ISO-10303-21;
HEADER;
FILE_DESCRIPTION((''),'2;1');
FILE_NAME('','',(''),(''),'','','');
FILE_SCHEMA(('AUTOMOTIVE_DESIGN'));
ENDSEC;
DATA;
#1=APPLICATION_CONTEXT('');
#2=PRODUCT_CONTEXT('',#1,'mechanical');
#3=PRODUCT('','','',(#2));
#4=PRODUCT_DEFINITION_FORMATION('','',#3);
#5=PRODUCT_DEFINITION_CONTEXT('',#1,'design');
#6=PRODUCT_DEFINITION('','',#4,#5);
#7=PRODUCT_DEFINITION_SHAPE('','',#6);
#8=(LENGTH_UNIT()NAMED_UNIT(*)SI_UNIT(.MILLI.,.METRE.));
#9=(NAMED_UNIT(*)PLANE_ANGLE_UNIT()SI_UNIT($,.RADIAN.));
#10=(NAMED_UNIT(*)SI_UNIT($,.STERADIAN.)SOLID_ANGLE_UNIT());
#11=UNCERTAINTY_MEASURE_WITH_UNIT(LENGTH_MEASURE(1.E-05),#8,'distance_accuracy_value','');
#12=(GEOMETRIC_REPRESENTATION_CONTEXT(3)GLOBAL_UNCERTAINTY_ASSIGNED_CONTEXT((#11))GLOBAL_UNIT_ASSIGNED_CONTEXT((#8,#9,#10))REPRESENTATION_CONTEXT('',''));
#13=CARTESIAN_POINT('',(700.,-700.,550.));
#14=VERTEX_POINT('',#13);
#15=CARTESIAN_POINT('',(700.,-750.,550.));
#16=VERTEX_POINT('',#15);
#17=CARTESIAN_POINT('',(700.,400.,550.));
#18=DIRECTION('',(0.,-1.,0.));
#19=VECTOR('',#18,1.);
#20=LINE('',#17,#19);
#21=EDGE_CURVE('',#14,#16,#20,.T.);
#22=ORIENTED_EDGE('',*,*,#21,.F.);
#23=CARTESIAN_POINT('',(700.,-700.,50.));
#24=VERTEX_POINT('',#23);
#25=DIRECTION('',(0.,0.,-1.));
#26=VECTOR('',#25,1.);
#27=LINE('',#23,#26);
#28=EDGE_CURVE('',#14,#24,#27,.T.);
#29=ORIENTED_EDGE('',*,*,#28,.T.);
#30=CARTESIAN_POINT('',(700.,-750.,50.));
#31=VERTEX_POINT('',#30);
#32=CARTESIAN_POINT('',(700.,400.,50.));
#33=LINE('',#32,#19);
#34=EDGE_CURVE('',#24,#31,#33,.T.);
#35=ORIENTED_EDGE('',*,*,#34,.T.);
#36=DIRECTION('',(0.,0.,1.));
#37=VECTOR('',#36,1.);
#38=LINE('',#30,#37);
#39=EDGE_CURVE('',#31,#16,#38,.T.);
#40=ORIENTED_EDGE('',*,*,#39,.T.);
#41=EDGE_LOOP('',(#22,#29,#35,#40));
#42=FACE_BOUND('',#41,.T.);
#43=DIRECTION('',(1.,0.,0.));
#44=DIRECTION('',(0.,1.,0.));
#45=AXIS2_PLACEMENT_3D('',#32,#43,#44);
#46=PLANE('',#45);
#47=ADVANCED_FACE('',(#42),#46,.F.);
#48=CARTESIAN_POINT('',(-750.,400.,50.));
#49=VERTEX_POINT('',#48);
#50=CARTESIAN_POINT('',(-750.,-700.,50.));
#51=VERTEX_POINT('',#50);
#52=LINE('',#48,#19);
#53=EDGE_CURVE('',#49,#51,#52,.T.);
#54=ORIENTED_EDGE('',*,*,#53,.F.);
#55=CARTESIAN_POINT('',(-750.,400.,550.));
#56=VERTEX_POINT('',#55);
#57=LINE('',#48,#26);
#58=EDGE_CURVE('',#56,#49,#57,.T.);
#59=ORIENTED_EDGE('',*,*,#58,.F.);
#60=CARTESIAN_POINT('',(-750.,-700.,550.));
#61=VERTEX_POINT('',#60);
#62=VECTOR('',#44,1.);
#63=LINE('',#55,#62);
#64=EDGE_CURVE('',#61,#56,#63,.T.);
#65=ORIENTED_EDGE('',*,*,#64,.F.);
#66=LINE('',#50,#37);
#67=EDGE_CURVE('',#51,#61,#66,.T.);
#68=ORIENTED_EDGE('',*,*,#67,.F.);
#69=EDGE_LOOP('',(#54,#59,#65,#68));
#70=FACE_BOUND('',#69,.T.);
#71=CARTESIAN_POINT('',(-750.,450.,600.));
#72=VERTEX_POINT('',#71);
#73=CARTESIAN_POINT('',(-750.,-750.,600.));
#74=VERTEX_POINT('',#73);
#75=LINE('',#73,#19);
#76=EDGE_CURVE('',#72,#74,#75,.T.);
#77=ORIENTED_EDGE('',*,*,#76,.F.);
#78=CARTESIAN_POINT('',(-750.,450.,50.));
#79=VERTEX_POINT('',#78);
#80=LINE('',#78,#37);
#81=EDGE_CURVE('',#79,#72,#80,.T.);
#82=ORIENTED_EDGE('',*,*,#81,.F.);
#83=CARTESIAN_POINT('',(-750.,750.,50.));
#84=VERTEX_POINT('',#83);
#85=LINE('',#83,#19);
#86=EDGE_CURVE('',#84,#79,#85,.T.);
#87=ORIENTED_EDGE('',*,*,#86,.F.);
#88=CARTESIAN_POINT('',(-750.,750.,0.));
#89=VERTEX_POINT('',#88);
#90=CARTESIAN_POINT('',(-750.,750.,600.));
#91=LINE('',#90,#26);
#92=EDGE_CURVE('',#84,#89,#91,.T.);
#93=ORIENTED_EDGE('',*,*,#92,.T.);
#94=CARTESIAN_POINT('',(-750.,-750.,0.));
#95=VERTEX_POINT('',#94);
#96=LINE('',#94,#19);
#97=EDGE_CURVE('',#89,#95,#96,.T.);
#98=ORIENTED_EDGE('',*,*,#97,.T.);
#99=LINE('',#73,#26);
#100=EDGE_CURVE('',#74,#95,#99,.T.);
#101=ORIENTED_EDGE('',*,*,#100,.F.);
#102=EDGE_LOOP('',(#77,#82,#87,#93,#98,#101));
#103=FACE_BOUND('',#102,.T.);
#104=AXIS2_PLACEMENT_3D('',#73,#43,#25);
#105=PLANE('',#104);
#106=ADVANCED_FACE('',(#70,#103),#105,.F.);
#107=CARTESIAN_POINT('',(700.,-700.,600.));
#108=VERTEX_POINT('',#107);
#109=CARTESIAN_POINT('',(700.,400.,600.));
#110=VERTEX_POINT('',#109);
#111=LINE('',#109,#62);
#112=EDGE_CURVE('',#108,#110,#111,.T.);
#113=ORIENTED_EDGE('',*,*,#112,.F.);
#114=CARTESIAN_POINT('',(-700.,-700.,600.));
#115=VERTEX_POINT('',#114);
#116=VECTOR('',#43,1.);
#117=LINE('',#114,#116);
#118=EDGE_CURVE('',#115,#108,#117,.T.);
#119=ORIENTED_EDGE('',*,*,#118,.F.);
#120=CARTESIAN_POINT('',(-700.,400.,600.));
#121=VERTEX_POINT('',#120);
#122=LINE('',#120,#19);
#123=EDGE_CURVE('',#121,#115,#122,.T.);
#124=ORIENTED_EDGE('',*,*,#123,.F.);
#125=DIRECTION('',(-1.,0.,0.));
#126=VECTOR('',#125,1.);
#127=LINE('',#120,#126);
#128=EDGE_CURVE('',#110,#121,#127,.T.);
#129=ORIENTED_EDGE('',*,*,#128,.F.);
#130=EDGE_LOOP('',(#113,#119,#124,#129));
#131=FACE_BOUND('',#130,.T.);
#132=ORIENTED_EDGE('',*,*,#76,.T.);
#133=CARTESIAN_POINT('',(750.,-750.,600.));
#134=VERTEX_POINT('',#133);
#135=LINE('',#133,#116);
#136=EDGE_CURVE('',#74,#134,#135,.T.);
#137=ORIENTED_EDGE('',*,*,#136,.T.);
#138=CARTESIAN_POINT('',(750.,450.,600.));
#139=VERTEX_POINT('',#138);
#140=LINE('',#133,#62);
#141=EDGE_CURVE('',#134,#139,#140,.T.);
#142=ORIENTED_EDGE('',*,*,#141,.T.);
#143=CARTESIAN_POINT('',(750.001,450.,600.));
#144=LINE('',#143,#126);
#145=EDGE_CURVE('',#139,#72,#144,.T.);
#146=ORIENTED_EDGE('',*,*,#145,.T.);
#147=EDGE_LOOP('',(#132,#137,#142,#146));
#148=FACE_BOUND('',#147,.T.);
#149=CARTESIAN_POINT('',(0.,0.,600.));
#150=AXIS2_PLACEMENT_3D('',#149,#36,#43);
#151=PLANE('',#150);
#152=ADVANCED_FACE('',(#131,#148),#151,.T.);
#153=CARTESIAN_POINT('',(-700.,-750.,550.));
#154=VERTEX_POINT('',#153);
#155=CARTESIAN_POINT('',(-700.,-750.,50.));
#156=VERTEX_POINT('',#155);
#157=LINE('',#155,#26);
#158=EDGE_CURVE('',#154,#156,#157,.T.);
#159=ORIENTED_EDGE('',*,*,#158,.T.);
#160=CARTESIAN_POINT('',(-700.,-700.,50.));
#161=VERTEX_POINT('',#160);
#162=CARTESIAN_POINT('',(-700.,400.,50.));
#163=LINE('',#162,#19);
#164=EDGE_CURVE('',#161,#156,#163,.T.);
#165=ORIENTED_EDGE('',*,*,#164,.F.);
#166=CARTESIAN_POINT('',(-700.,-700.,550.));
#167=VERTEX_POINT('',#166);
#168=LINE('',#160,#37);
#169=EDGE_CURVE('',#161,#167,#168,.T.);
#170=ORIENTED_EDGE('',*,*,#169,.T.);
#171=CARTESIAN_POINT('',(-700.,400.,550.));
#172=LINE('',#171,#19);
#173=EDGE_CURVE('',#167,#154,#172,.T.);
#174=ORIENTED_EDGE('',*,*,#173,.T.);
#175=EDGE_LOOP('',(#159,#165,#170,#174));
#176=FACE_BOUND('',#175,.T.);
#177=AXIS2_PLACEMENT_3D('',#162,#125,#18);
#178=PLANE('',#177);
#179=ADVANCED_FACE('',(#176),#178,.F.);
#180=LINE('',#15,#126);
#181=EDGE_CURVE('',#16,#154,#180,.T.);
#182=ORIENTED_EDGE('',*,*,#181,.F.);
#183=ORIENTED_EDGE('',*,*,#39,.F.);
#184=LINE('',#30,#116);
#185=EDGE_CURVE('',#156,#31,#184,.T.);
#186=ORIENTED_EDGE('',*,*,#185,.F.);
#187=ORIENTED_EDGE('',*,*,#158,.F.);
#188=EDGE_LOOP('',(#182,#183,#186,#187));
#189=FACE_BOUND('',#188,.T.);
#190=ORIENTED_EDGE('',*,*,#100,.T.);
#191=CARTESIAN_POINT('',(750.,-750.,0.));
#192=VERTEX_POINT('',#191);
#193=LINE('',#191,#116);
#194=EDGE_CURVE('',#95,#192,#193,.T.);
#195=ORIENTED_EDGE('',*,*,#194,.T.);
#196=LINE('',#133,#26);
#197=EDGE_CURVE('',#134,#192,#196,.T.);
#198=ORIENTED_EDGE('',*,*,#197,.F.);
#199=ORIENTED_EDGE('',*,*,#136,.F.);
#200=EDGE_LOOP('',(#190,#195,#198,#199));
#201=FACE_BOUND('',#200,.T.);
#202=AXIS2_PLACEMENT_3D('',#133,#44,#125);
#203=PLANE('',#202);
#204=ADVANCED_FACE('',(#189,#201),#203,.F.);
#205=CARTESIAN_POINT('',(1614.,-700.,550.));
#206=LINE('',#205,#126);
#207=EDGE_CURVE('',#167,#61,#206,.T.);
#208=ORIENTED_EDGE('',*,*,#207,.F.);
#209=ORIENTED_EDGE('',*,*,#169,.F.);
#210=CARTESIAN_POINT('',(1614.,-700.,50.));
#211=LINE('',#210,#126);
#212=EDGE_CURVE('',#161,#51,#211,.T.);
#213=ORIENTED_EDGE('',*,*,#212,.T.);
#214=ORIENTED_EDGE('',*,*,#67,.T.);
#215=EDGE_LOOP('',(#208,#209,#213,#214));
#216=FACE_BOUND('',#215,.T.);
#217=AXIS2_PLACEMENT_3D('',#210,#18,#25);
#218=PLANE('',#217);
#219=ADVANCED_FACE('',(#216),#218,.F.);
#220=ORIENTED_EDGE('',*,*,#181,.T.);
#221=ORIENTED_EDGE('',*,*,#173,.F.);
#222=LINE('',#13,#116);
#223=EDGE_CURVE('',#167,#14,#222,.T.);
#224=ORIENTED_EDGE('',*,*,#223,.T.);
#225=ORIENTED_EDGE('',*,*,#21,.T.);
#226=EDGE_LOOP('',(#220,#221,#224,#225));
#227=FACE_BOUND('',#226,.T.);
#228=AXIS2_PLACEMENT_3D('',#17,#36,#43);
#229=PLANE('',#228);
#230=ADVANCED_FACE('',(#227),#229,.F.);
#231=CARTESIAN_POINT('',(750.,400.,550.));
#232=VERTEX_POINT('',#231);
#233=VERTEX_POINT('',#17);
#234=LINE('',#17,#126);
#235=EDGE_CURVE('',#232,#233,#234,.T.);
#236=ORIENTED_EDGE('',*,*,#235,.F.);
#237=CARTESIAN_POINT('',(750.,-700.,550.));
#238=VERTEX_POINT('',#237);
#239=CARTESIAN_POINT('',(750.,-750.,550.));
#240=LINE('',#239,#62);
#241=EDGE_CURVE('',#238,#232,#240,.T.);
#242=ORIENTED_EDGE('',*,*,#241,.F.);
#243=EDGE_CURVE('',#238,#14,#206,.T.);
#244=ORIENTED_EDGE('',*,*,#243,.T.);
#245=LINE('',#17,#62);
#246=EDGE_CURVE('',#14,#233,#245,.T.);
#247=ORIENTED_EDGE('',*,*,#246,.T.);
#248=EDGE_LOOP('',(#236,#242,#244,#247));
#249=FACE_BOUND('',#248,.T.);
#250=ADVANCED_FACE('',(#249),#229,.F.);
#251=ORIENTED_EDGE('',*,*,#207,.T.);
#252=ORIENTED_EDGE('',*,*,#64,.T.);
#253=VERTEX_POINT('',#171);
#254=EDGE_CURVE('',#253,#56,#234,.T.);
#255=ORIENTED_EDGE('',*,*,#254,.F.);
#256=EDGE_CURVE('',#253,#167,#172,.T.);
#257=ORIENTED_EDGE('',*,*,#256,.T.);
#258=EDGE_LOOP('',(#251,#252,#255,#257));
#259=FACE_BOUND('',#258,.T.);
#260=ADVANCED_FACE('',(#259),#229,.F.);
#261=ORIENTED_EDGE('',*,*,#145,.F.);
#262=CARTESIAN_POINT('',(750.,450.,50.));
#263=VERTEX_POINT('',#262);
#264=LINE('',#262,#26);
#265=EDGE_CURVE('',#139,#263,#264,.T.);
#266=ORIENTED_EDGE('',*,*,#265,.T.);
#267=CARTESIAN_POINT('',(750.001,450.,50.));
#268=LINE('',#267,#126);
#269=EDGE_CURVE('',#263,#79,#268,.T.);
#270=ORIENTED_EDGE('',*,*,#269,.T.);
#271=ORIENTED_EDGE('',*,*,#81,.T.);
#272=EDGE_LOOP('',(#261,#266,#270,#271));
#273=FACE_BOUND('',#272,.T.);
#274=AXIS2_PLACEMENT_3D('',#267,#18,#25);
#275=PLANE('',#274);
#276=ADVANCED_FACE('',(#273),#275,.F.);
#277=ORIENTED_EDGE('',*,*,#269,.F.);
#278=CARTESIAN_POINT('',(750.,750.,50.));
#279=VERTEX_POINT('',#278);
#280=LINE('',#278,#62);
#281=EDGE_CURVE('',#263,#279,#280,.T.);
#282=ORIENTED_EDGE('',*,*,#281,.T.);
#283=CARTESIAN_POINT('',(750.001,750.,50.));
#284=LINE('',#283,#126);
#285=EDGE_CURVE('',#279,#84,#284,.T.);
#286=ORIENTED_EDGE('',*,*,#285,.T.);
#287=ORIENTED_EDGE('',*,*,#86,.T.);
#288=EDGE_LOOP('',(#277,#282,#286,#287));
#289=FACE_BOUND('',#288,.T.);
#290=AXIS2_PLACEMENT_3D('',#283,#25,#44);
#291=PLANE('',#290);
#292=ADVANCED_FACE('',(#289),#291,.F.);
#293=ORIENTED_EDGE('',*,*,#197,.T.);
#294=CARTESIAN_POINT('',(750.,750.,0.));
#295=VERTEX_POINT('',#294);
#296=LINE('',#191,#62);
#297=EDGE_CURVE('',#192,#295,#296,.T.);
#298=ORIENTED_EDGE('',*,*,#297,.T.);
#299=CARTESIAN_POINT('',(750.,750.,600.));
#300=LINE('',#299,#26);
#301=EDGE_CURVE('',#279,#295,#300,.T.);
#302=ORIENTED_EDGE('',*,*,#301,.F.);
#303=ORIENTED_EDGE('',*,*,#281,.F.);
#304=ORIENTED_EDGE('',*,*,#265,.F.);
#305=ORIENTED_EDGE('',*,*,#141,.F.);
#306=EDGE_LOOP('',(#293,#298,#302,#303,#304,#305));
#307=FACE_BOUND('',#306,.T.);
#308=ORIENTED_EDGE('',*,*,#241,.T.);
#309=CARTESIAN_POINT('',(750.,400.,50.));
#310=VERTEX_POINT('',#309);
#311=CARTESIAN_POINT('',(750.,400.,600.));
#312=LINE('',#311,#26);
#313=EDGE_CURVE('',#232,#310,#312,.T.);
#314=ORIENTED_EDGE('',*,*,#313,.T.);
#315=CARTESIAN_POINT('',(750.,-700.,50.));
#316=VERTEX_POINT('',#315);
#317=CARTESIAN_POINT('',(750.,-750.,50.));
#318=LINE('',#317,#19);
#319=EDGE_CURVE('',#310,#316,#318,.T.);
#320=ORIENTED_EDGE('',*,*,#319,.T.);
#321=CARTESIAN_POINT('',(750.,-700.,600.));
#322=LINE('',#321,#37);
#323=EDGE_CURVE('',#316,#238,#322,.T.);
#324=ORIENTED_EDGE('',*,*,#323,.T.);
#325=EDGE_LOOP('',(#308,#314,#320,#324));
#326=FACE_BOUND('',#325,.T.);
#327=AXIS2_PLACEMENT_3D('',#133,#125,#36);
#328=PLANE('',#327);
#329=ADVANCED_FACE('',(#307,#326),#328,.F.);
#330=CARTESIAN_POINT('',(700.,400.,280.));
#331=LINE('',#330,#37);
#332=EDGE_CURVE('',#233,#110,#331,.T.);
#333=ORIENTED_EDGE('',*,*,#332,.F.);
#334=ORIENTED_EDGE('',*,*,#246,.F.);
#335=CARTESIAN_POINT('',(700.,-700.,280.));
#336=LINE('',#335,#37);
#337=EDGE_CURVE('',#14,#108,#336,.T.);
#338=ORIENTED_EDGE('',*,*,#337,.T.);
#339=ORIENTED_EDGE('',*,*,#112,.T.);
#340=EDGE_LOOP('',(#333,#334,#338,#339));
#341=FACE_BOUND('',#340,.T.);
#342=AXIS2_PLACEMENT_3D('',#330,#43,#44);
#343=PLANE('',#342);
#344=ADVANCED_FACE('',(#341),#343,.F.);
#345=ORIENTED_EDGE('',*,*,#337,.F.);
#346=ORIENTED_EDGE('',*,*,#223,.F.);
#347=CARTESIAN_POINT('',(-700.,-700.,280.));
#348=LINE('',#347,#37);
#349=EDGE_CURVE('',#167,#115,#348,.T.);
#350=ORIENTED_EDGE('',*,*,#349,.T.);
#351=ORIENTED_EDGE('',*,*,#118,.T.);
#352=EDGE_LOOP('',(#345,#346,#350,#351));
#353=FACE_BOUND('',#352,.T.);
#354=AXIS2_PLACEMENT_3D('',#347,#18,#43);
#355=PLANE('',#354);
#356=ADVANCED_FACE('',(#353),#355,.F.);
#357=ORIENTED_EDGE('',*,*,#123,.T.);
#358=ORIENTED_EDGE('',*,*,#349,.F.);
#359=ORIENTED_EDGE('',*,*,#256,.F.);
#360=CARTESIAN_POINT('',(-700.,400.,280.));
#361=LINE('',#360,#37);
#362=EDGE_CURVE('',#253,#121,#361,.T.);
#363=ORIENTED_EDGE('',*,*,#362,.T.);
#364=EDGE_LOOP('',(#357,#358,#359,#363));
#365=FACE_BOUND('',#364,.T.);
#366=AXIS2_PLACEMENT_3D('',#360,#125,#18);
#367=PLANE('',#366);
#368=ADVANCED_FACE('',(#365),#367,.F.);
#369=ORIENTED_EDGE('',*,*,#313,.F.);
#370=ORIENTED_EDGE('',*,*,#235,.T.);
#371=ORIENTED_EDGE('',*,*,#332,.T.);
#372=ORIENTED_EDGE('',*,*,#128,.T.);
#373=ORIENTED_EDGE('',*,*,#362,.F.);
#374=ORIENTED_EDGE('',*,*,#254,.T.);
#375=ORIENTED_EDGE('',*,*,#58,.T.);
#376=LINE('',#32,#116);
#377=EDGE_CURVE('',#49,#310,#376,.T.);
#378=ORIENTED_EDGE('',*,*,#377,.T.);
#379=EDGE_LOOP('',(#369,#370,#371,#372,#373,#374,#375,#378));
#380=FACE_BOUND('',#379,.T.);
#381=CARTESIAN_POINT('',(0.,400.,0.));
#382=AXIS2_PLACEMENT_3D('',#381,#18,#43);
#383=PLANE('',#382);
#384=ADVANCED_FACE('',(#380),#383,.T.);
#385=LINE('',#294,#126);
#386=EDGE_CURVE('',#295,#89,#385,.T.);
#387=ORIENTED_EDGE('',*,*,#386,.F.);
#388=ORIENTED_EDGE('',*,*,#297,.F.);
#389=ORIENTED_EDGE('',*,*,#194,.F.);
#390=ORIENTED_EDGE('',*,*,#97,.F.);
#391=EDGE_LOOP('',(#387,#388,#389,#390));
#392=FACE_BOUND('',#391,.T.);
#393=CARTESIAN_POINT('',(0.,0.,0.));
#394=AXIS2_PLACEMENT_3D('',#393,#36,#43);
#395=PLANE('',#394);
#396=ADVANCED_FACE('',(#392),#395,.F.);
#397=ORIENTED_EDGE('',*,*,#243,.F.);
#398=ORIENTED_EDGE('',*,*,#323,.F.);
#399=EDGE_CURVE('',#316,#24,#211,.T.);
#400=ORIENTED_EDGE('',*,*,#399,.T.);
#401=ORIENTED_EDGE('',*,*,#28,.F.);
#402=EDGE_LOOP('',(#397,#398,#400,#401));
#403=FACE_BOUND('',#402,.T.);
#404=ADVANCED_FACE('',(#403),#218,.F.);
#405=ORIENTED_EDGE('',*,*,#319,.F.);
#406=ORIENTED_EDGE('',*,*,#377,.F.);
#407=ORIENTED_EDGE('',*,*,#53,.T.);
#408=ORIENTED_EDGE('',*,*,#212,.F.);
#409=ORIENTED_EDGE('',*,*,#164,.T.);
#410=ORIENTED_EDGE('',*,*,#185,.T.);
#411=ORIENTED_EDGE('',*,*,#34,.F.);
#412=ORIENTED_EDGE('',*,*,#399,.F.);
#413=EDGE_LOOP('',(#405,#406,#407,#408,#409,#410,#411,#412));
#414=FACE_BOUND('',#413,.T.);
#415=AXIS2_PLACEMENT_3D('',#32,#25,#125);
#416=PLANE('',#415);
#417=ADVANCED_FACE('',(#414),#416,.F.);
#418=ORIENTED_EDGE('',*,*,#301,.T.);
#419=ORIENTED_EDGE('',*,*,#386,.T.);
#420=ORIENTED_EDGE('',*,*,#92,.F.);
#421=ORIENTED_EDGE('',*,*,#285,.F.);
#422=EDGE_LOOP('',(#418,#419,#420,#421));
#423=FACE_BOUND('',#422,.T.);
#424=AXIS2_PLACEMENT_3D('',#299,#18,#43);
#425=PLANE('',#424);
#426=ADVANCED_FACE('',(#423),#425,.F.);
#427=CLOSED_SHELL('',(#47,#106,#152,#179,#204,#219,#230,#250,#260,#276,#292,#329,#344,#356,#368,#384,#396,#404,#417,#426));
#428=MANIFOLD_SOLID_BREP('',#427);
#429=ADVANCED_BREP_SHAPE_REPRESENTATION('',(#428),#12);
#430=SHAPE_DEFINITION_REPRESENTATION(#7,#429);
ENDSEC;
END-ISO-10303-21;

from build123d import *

# Parameters (mm, degrees)
SKETCH1_W           = 1500
SKETCH1_H           = 1500
BOSS_EXTRUDE1_DEPTH = 600
CUT_EXTRUDE1_REACH  = 1783.151
SKETCH4_W           = 550
SKETCH4_H           = 300
SKETCH5_W           = 1400
SKETCH5_H           = 500
CUT_EXTRUDE2_DEPTH  = 1150
SKETCH6_W           = 500
SKETCH6_H           = 1100
CUT_EXTRUDE3_DEPTH  = 2364
SKETCH7_W           = 1400
SKETCH7_H           = 1100
CUT_EXTRUDE4_DEPTH  = 320


with BuildPart() as part:
    # Sketch1 → Boss-Extrude1 (new body)
    with BuildSketch(Plane.XY):
        Rectangle(SKETCH1_W, SKETCH1_H)
    extrude(amount=BOSS_EXTRUDE1_DEPTH)

    # Sketch4 → Cut-Extrude1 (cut, up to next)
    with BuildSketch(Plane.ZY.offset(750), mode=Mode.PRIVATE) as cut_extrude1_sk1:
        with Locations((325, 600)):
            Rectangle(SKETCH4_W, SKETCH4_H)
    cut_extrude1_tool1 = extrude(cut_extrude1_sk1.sketch, amount=-CUT_EXTRUDE1_REACH, mode=Mode.PRIVATE) & part.part
    add(cut_extrude1_tool1.solids().sort_by_distance((-750, 600, 325))[0], mode=Mode.SUBTRACT)

    # Sketch5 → Cut-Extrude2 (cut)
    with BuildSketch(Plane.XZ.offset(750)):
        with Locations((0, 300)):
            Rectangle(SKETCH5_W, SKETCH5_H)
    extrude(amount=-CUT_EXTRUDE2_DEPTH, mode=Mode.SUBTRACT)

    # Sketch6 → Cut-Extrude3 (cut)
    with BuildSketch(Plane.ZY.offset(750)):
        with Locations((300, -150)):
            Rectangle(SKETCH6_W, SKETCH6_H)
    extrude(amount=-CUT_EXTRUDE3_DEPTH, mode=Mode.SUBTRACT)

    # Sketch7 → Cut-Extrude4 (cut)
    with BuildSketch(Plane.XY.offset(600)):
        with Locations((0, -150)):
            Rectangle(SKETCH7_W, SKETCH7_H)
    extrude(amount=-CUT_EXTRUDE4_DEPTH, mode=Mode.SUBTRACT)


solid = part.part
